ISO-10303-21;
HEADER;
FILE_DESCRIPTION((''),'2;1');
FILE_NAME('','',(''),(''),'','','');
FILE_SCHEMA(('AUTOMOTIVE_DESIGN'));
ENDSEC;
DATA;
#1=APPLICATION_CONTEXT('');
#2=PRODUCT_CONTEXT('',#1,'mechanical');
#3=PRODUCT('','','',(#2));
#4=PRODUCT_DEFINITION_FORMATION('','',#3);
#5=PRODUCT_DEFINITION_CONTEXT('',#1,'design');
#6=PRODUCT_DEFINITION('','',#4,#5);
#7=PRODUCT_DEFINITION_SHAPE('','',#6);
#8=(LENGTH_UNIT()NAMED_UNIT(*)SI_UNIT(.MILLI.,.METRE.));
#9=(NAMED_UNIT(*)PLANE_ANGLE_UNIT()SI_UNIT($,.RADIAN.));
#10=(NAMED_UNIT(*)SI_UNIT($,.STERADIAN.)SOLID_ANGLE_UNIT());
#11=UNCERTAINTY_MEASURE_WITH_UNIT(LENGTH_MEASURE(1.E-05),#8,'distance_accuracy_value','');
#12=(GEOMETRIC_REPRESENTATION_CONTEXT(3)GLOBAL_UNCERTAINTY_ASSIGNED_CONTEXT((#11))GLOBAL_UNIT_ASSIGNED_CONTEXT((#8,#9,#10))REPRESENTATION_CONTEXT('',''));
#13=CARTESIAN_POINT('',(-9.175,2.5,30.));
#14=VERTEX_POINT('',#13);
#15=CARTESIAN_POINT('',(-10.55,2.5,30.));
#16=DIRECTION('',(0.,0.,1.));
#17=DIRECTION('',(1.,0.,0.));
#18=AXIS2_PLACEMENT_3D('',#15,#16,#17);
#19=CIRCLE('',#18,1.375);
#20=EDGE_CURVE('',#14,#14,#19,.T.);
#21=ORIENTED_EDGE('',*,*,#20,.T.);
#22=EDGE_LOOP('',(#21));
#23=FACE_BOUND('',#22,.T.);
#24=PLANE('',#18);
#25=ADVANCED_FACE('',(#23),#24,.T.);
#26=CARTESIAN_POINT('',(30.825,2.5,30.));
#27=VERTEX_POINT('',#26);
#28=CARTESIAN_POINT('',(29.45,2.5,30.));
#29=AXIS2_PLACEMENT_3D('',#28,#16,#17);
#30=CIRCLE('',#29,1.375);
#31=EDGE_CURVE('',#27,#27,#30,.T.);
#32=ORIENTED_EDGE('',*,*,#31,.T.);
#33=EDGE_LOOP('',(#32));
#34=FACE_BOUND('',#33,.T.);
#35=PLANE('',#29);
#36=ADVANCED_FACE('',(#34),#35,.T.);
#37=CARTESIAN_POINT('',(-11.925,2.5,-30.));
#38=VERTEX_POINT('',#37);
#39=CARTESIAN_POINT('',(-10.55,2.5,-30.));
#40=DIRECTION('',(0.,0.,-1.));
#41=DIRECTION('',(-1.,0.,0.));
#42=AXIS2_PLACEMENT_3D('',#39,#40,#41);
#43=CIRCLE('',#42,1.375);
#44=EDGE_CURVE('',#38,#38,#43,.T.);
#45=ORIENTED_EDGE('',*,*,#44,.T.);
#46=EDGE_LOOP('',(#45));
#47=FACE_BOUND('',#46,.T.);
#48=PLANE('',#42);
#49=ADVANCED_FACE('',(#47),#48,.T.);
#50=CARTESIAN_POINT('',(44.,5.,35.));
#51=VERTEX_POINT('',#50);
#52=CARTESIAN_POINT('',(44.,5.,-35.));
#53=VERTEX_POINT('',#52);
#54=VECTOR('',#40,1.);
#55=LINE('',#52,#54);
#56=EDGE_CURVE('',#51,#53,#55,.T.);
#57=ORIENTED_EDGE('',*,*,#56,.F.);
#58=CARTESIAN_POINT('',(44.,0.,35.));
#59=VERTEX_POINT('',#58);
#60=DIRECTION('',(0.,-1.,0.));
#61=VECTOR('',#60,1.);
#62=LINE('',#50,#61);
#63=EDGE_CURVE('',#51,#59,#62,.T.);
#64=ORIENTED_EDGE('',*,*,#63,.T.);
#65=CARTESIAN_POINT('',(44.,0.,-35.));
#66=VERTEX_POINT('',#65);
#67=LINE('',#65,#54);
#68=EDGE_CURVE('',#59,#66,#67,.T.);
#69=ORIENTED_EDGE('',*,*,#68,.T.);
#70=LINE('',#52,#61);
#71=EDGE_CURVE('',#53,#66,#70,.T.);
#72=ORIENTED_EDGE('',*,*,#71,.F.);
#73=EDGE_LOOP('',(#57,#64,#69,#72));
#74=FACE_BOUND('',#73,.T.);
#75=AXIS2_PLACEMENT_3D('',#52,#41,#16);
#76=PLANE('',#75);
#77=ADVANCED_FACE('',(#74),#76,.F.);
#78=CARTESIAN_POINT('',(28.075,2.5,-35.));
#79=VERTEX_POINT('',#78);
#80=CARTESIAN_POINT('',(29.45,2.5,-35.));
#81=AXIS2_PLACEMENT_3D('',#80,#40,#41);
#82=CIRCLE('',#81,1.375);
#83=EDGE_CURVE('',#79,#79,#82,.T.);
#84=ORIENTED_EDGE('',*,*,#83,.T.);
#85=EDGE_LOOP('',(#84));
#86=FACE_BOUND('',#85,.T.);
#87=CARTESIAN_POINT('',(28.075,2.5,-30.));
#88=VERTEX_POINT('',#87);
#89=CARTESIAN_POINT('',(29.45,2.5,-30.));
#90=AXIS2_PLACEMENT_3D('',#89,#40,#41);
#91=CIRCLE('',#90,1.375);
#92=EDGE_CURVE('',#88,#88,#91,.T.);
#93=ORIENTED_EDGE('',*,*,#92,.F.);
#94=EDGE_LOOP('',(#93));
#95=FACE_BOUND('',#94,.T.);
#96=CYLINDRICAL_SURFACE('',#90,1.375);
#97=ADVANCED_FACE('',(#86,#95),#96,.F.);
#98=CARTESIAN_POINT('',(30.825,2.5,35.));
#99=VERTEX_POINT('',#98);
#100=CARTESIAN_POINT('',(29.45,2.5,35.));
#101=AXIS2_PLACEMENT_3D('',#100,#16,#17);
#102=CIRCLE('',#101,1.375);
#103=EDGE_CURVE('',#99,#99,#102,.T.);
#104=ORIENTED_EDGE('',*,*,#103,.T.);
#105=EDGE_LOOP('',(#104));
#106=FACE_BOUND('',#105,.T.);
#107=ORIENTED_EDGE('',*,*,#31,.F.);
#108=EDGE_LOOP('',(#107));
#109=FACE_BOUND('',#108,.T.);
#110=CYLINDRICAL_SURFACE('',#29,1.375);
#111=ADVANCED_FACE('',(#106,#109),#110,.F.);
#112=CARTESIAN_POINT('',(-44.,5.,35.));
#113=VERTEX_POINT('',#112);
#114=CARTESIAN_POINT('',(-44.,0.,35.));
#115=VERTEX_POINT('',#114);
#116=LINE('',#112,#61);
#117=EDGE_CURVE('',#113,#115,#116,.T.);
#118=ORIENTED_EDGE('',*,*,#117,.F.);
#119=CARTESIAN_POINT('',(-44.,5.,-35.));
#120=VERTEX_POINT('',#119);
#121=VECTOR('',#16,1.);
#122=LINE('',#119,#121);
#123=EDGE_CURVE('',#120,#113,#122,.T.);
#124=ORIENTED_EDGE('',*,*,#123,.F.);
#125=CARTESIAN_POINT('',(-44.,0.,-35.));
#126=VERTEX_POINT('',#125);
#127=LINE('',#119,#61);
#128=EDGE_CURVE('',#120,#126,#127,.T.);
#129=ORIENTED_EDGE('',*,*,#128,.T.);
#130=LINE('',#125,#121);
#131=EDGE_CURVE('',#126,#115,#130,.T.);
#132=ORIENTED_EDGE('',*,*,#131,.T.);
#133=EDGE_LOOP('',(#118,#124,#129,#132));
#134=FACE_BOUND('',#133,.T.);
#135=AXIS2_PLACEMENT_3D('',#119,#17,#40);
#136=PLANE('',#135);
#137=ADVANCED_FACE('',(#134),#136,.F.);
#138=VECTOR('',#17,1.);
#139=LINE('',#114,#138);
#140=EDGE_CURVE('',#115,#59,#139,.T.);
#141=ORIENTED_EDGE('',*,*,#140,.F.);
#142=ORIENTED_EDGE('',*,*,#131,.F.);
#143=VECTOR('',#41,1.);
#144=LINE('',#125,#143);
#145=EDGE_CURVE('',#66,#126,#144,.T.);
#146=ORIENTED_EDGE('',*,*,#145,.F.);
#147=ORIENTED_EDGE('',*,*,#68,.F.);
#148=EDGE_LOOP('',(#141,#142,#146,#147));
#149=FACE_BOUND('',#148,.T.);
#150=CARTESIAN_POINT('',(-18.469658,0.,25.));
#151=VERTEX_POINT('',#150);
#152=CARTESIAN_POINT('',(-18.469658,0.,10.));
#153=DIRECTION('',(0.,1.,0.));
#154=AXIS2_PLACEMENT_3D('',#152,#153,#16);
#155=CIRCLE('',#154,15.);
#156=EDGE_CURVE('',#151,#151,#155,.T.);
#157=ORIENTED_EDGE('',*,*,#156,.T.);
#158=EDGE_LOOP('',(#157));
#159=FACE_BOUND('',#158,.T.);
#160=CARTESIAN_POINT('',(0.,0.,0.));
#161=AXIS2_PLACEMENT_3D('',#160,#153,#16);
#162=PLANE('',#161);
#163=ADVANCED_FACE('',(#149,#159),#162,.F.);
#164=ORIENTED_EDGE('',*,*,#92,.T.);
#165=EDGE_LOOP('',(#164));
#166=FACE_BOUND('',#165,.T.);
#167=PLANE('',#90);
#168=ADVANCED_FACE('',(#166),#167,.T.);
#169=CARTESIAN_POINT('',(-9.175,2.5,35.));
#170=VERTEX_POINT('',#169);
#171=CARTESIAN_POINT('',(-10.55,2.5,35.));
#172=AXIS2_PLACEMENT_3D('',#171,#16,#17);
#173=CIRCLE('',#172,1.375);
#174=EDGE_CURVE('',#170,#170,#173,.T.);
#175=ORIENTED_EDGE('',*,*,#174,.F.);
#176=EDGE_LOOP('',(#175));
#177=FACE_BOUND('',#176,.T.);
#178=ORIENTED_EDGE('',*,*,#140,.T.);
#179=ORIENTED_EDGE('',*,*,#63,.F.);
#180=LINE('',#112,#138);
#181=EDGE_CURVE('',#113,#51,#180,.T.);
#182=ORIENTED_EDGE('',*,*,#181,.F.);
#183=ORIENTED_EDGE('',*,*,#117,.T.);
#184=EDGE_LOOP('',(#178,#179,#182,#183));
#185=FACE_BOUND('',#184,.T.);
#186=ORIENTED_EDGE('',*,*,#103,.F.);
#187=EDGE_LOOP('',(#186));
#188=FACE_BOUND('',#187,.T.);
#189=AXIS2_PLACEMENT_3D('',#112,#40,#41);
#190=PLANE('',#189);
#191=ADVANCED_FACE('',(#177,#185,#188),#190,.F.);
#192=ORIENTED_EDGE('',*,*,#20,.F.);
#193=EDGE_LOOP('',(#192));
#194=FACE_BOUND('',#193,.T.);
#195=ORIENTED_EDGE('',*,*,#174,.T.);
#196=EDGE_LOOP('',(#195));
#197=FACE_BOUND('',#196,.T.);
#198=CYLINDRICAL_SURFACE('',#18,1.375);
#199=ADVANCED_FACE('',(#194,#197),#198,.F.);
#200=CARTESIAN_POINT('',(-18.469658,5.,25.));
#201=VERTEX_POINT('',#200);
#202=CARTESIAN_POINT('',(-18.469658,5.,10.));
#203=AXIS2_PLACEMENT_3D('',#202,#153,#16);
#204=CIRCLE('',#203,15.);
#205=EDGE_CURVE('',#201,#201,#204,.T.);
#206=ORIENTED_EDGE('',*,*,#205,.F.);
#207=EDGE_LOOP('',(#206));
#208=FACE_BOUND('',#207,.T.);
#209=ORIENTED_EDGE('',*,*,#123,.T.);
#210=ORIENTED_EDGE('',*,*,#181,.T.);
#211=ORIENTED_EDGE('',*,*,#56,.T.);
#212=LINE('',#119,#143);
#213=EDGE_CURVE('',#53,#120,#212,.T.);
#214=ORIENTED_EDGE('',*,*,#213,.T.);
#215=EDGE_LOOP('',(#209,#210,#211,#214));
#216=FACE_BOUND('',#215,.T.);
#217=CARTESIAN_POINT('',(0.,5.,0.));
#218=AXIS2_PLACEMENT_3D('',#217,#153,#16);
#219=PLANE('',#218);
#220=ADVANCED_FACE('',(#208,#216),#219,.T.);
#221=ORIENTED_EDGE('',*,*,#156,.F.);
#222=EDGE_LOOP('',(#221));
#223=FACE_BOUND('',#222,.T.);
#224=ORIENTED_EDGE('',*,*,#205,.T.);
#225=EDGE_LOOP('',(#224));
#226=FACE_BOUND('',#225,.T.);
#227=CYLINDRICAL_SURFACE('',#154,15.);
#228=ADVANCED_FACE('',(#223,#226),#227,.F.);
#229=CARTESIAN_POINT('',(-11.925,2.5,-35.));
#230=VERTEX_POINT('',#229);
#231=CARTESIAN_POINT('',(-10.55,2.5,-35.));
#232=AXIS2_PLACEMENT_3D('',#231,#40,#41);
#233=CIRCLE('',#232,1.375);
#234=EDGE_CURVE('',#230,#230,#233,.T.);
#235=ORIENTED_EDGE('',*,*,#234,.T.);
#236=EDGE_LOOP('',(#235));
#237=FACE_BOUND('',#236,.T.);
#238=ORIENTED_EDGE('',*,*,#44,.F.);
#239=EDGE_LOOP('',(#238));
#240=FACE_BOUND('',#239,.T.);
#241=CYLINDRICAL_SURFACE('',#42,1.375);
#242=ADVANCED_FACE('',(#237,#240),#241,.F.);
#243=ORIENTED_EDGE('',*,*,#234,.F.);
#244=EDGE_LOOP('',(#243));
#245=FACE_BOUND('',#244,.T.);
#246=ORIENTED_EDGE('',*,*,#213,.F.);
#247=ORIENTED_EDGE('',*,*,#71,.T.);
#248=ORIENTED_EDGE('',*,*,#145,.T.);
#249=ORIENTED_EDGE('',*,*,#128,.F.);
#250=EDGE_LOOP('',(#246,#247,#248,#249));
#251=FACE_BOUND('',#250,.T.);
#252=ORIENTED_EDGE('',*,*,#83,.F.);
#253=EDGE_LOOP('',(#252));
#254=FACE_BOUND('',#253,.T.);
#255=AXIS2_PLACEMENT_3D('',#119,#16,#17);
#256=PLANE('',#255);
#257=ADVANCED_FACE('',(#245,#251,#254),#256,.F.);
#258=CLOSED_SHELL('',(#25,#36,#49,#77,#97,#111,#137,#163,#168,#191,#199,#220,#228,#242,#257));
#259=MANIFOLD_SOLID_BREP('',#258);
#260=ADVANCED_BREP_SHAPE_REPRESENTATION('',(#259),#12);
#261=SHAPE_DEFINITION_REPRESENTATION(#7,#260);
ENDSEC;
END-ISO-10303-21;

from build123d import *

# Parameters (mm, degrees)
SKETCH1_W           = 88
SKETCH1_H           = 70
BOSS_EXTRUDE1_DEPTH = 5
SKETCH2_R           = 1.375
CUT_EXTRUDE1_DEPTH  = 5
CUT_EXTRUDE2_START  = -5
SKETCH4_R           = 1.375
CUT_EXTRUDE2_DEPTH  = 5
SKETCH5_R           = 15
CUT_EXTRUDE3_DEPTH  = 57.444663167


with BuildPart() as part:
    # Sketch1 → Boss-Extrude1 (new body)
    with BuildSketch(Plane(origin=(0, 0, 0), x_dir=(1, 0, 0), z_dir=(0, 1, 0))):
        Rectangle(SKETCH1_W, SKETCH1_H)
    extrude(amount=BOSS_EXTRUDE1_DEPTH)

    # Sketch2 → Cut-Extrude1 (cut)
    with BuildSketch(Plane.XY.offset(35)):
        with Locations((-10.55, 2.5)):
            Circle(SKETCH2_R)
        with Locations((29.45, 2.5)):
            Circle(SKETCH2_R)
    extrude(amount=-CUT_EXTRUDE1_DEPTH, mode=Mode.SUBTRACT)

    # Sketch4 → Cut-Extrude2 (cut)
    with BuildSketch(Plane(origin=(0, 0, -35), x_dir=(-1, 0, 0), z_dir=(0, 0, -1)).offset(CUT_EXTRUDE2_START)):
        with Locations(Location((-29.45, 2.5, 0), (0, 0, 180))):
            Circle(SKETCH4_R)
        with Locations(Location((10.55, 2.5, 0), (0, 0, 180))):
            Circle(SKETCH4_R)
    extrude(amount=CUT_EXTRUDE2_DEPTH, mode=Mode.SUBTRACT)

    # Sketch5 → Cut-Extrude3 (cut, through all)
    with BuildSketch(Plane(origin=(0, 5, 0), x_dir=(1, 0, 0), z_dir=(0, 1, 0))):
        with Locations(Location((-18.469657797, -10, 0), (0, 0, 270))):
            Circle(SKETCH5_R)
    extrude(amount=-CUT_EXTRUDE3_DEPTH, mode=Mode.SUBTRACT)


solid = part.part
